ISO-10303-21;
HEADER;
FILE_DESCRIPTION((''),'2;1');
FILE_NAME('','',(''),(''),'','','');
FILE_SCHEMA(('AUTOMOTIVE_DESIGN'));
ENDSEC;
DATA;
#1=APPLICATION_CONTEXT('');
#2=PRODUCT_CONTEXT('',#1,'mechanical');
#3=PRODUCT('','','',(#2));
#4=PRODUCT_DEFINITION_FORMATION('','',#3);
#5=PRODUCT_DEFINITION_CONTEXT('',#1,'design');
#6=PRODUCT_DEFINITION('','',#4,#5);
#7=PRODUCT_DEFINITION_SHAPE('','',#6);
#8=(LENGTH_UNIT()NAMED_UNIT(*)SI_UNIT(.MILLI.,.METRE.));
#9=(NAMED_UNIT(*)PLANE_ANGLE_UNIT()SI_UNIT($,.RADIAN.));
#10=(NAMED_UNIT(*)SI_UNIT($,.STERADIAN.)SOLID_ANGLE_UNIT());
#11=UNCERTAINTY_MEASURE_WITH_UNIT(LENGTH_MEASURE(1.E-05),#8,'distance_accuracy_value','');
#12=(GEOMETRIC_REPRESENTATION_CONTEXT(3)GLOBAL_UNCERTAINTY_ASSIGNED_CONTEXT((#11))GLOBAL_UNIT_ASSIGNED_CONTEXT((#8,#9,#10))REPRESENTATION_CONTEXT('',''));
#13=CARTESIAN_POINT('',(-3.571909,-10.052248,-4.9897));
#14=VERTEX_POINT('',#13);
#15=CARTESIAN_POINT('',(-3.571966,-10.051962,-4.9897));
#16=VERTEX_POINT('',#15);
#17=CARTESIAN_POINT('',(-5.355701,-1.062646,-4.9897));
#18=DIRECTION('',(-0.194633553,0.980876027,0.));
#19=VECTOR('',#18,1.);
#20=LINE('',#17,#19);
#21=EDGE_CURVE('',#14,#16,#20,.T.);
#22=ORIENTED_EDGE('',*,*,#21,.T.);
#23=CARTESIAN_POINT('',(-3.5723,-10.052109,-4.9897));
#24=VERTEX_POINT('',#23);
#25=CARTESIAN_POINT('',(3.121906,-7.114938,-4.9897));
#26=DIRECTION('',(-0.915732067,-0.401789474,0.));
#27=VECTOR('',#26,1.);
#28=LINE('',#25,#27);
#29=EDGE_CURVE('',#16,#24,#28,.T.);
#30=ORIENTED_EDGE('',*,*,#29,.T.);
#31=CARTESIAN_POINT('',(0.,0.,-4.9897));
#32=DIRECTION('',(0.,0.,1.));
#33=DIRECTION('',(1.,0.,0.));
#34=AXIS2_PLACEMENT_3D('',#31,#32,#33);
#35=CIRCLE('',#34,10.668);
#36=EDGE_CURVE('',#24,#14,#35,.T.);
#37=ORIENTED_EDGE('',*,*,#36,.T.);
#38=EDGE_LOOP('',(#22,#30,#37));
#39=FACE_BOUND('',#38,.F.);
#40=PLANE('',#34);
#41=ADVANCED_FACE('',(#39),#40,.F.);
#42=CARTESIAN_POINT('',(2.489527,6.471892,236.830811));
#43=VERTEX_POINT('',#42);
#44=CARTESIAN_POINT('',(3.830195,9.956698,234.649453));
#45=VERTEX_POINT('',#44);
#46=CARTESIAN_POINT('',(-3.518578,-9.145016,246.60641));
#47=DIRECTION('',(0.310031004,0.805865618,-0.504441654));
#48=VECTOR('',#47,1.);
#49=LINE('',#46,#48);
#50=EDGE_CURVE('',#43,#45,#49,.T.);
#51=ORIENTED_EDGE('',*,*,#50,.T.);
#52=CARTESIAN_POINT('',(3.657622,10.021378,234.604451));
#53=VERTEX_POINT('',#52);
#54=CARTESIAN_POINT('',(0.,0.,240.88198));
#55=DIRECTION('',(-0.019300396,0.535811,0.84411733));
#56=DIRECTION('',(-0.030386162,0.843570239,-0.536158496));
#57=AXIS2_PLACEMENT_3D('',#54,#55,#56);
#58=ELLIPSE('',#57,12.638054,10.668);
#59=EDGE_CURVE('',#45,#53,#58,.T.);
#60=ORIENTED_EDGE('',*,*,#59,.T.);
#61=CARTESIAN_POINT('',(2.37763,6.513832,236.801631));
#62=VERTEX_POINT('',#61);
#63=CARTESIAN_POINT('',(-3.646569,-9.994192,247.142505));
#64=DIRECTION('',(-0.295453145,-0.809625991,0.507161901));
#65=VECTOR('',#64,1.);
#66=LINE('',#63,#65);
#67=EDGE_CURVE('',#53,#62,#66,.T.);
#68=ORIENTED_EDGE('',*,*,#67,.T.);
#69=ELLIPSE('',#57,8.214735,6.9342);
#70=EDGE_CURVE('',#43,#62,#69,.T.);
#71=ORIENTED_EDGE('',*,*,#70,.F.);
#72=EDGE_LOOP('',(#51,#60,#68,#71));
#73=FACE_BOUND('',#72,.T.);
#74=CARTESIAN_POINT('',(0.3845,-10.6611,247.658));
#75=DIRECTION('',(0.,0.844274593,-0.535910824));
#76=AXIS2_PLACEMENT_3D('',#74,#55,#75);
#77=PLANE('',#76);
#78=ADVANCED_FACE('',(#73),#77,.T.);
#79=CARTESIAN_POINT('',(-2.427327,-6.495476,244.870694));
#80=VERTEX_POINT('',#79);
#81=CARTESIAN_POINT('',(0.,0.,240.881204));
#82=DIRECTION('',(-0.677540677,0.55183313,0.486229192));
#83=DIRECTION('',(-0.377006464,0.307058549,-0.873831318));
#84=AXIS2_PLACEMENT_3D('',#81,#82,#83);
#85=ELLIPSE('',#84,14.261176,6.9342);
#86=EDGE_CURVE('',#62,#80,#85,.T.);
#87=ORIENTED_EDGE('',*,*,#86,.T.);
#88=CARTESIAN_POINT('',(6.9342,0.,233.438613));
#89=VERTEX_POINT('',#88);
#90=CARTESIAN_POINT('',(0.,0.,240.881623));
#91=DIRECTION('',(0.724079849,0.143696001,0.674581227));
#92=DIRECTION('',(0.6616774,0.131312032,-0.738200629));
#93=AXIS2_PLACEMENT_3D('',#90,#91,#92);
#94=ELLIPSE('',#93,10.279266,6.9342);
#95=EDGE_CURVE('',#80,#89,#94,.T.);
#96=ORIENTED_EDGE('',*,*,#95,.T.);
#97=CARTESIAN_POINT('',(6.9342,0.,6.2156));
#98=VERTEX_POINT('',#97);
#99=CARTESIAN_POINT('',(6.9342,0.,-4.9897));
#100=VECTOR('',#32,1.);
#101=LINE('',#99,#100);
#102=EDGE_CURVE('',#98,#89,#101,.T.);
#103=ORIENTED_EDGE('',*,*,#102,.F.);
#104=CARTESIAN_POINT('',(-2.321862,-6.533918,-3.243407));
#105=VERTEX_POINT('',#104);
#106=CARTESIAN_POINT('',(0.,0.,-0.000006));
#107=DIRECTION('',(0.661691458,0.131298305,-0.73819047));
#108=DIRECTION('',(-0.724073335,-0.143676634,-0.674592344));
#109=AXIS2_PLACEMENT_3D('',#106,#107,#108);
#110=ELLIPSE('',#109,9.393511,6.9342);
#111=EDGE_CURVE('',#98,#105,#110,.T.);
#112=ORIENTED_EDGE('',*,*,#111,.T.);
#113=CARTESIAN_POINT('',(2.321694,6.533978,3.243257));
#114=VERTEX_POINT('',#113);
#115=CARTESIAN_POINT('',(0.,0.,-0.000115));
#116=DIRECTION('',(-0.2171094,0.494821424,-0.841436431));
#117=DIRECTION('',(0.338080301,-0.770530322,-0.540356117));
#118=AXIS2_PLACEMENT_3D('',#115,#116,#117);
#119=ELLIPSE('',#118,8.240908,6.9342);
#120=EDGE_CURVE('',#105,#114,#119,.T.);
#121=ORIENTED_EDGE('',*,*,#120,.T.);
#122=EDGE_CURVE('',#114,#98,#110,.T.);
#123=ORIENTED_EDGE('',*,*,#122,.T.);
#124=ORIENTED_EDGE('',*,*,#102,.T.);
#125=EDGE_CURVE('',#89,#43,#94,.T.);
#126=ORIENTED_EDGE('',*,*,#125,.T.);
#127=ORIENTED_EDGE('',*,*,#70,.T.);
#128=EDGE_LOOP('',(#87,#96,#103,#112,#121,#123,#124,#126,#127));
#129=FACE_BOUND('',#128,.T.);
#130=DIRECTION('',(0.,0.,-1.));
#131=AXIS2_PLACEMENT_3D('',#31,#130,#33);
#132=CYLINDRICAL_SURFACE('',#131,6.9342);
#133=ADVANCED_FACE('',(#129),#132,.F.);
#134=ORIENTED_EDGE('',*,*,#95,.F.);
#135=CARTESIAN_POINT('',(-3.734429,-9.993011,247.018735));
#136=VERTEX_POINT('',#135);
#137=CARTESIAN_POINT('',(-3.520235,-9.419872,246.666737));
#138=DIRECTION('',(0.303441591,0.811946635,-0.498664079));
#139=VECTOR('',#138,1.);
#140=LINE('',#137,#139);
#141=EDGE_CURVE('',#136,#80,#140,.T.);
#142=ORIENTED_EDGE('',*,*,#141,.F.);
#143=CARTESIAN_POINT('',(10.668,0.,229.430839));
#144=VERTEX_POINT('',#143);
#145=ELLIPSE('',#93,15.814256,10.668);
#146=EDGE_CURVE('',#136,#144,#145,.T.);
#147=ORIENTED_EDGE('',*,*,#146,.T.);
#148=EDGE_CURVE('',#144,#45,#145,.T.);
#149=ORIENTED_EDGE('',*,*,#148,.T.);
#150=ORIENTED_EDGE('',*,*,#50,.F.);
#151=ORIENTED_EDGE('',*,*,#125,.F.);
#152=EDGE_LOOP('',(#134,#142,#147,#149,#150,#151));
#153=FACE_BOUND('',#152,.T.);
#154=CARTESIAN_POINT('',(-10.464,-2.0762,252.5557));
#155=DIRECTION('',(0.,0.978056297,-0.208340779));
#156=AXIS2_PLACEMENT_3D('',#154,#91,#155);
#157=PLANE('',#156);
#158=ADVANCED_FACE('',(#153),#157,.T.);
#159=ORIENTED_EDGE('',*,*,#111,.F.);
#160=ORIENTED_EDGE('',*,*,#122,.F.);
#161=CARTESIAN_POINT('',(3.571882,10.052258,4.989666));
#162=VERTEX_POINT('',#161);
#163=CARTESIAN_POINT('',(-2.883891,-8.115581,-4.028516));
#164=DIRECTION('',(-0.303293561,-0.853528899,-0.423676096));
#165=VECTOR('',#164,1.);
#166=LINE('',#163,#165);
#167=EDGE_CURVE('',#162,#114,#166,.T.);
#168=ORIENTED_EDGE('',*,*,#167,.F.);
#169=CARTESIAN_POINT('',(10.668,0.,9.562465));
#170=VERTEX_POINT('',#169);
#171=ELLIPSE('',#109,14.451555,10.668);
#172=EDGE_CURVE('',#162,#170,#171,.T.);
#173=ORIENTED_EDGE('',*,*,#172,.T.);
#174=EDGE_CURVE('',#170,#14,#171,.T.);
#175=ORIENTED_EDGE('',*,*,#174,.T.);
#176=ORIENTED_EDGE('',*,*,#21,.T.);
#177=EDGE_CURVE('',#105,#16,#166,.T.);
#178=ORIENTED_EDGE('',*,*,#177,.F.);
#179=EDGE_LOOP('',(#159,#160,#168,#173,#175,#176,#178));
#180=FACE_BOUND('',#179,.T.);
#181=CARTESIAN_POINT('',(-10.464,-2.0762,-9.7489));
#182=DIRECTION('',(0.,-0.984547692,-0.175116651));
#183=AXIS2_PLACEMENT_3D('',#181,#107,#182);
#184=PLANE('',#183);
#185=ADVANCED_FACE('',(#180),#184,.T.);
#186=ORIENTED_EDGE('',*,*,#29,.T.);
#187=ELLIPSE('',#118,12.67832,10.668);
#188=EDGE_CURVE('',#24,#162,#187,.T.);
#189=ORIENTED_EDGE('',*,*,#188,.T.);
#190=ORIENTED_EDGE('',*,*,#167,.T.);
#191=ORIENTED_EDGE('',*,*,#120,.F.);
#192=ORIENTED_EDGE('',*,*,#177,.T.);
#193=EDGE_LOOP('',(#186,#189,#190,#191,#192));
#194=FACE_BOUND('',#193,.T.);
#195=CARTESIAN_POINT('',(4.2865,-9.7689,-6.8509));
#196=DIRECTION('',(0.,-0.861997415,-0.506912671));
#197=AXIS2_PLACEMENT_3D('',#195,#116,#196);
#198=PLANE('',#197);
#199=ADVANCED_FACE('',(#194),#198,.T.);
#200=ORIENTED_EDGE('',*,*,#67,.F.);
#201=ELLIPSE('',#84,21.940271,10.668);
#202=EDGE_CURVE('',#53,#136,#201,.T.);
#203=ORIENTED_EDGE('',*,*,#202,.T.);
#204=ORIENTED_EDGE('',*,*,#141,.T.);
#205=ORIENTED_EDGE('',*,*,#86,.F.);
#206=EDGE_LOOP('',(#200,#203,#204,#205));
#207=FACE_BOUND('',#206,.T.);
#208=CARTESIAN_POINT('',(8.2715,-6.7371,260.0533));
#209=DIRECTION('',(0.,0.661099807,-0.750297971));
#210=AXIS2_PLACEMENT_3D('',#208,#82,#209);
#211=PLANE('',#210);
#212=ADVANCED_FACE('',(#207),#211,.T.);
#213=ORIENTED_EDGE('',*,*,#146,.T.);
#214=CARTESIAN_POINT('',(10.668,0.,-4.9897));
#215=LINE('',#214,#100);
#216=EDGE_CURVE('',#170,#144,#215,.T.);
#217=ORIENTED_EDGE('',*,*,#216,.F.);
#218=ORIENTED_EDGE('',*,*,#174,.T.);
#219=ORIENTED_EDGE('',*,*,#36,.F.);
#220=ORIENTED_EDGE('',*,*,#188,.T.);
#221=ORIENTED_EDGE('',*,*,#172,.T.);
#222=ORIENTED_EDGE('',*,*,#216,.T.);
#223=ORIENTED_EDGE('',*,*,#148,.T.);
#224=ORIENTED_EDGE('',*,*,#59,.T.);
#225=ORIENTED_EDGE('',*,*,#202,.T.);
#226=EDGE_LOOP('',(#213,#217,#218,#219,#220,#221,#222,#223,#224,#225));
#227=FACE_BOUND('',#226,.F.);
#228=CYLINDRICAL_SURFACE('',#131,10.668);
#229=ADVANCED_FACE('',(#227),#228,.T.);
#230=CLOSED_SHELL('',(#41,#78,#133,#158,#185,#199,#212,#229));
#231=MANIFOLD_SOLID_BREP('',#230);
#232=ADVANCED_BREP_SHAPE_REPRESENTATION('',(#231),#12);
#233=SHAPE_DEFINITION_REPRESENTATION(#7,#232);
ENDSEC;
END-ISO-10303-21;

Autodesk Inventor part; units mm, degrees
ref_plane "Start Plane" through (0, 0, -4.9897) normal (0, 0, 1) x (1, 0, 0)
ref_plane "End Plane" through (0, 0, 247.019) normal (0, 0, 1) x (1, 0, 0)
sketch "Sketch" plane through (0, 0, 0) normal (0, 0, 1) x (1, 0, 0)
  circle A0 centre (0, 0) radius 6.9342
  circle A1 centre (0, 0) radius 10.668
  dimension "d0" = 21.336
  dimension "d1" = 3.7338
extrude "Body" add sketch "Sketch" along normal up to surface (252.0086 mm away) from surface at -4.9897
sketch "Sketch3" plane through (0, 0, 0) normal (0, 0, 1) x (1, 0, 0)
  line L0 (0, 0) -> (10, 0)
ref_plane "Work Plane3" through (0, 0, 0) normal (0, -1, 0) x (1, 0, 0)
sketch "Sketch4" plane through (0, 0, 0) normal (0, -1, 0) x (1, 0, 0)
  line L0 (-2, -4.9897) -> (12, -4.9897)
  line L1 (-2, 247.019) -> (12, 247.019)
  dimension "d7" = 252.0086
ref_plane "Work Plane4" through (0.3845, -10.6611, 247.658) normal (-0.0193, 0.5358, 0.8441) x (0.9998, 0.0056, 0.0193)
split "Split1" plane through (0.3845, -10.6611, 247.658) removes the side toward (-0.0193, 0.5358, 0.8441)
ref_plane "Work Plane5" through (8.2715, -6.7371, 260.0533) normal (-0.6775, 0.5518, 0.4862) x (0.6911, 0.2516, 0.6775)
split "Split2" plane through (8.2715, -6.7371, 260.0533) removes the side toward (-0.6775, 0.5518, 0.4862)
ref_plane "Work Plane6" through (-10.464, -2.0762, 252.5557) normal (0.7241, 0.1437, 0.6746) x (0.6869, -0.0621, -0.7241)
split "Split3" plane through (-10.464, -2.0762, 252.5557) removes the side toward (0.7241, 0.1437, 0.6746)
ref_plane "Work Plane7" through (4.2865, -9.7689, -6.8509) normal (-0.2171, 0.4948, -0.8414) x (0.7027, 0.6776, 0.2171)
split "Split4" plane through (4.2865, -9.7689, -6.8509) removes the side toward (-0.2171, 0.4948, -0.8414)
ref_plane "Work Plane8" through (-10.464, -2.0762, -9.7489) normal (0.6617, 0.1313, -0.7382) x (-0.6724, -0.3318, -0.6617)
split "Split5" plane through (-10.464, -2.0762, -9.7489) removes the side toward (0.6617, 0.1313, -0.7382)
equation "\"d0\" = G_H"
equation "\"d1\" = G_T"
equation "\"d2\" = G_L"
equation "\"G_H\" = 21.336"
equation "\"G_T\" = 3.7338"
equation "\"G_L\" = 252.00863"
equation "\"G_OFFSET_START\" = 4.98966"
equation "\"G_OFFSET_END\" = 6.137"
equation "\"d4\" = -G_OFFSET_START"
equation "\"d5\" = G_OFFSET_END + B_L"
equation "\"B_L\" = 240.88196"
properties part number "ANSI - 1/2 x 0.147 - 9.922" material "Steel, Mild"
